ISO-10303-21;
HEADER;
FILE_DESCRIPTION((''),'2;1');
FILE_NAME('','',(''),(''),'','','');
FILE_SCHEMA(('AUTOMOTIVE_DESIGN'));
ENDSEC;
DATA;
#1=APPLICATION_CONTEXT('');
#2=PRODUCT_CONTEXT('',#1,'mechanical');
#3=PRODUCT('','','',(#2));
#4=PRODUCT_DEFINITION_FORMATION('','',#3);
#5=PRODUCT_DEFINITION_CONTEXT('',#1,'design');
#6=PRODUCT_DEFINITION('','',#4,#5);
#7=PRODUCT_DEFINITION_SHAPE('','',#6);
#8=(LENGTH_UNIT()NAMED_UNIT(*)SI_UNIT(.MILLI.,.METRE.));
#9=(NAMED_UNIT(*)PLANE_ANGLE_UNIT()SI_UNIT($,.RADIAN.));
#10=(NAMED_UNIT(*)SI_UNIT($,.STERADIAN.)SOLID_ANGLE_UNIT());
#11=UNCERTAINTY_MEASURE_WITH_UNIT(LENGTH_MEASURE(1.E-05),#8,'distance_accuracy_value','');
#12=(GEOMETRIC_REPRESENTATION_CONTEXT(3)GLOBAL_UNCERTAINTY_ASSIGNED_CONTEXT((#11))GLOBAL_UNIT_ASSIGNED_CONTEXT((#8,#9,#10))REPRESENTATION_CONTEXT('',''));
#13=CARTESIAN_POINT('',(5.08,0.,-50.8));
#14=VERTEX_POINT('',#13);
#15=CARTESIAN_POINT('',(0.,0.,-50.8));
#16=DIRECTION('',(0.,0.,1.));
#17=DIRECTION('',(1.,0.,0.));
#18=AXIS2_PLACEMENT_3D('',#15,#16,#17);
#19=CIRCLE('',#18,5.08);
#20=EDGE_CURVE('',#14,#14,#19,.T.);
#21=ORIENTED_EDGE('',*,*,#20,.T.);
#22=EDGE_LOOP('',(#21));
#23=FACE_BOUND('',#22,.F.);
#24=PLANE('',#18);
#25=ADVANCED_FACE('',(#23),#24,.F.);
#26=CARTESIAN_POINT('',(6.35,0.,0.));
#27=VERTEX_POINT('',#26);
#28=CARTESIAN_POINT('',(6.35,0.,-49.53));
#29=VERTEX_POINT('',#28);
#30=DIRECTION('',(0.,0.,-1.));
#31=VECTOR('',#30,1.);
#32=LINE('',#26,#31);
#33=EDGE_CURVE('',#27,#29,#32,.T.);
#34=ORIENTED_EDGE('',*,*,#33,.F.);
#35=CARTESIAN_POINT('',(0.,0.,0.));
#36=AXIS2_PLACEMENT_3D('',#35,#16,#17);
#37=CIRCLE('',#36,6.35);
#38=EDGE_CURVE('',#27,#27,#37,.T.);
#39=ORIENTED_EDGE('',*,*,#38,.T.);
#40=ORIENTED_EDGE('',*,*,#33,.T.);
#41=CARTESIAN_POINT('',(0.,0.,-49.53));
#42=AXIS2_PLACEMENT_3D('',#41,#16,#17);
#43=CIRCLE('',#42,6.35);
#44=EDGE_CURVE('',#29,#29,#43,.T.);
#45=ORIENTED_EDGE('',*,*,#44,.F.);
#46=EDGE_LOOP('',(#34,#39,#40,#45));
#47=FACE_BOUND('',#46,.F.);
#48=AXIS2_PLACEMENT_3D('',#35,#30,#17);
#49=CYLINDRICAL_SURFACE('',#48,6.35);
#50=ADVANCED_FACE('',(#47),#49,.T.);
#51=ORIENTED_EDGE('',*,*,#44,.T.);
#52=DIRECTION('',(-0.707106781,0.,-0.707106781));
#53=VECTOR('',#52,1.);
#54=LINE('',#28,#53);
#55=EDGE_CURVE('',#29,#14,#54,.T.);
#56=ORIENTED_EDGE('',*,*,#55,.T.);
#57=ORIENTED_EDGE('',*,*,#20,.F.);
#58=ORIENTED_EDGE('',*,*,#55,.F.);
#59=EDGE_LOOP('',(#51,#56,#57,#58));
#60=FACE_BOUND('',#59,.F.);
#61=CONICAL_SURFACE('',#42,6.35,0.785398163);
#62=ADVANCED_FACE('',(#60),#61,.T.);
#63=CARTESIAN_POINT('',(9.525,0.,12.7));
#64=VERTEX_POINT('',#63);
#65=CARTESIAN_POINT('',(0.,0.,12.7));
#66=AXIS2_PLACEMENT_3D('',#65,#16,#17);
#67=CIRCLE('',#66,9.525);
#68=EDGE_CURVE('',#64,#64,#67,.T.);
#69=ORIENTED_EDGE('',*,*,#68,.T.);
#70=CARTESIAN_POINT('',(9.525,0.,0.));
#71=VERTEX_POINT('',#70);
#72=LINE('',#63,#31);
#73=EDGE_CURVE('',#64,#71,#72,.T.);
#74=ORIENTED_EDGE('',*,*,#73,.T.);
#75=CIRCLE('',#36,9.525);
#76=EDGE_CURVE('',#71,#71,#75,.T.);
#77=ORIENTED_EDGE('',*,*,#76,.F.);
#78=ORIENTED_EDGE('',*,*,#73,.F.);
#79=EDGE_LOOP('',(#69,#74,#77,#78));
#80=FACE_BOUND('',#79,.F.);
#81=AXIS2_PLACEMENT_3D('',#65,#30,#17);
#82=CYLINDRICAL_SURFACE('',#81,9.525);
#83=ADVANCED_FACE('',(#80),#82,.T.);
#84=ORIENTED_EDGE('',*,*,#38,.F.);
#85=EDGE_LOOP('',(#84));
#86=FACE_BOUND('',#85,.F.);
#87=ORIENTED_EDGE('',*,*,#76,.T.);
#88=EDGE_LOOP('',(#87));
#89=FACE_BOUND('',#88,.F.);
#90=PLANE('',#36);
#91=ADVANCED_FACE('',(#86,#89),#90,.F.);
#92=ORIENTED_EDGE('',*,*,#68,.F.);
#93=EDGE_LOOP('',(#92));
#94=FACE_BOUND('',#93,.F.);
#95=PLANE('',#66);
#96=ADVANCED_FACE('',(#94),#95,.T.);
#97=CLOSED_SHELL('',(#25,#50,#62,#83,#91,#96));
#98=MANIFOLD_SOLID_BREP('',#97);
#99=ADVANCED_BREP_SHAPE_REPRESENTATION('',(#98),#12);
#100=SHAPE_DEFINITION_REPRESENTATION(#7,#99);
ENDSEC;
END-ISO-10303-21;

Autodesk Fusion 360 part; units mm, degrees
sketch "Sketch1" plane through (0, 0, 0) normal (0, 1, 0) x (1, 0, 0)
  line L0 (0, 0) -> (0, -12.7)
  line L1 (0, -12.7) -> (9.525, -12.7)
  line L2 (9.525, -12.7) -> (9.525, 0)
  line L3 (9.525, 0) -> (6.35, 0)
  line L4 (6.35, 0) -> (6.35, 49.53)
  line L5 (6.35, 49.53) -> (5.08, 50.8)
  line L6 (5.08, 50.8) -> (0, 50.8)
  line L7 (0, 50.8) -> (0, 0)
  dimension "headradius" = 9.525
  dimension "radius" = 6.35
  dimension "headheight" = 12.7
  dimension "length" = 50.8
  dimension "chamferangle" = 45
  dimension "chamfersize" = 1.27
revolve "Revolve1" add sketch "Sketch1" angle 360 about axis through (0, 0, 0) along (0, 0, 1)
equation "chamfersize = radius / 5"
